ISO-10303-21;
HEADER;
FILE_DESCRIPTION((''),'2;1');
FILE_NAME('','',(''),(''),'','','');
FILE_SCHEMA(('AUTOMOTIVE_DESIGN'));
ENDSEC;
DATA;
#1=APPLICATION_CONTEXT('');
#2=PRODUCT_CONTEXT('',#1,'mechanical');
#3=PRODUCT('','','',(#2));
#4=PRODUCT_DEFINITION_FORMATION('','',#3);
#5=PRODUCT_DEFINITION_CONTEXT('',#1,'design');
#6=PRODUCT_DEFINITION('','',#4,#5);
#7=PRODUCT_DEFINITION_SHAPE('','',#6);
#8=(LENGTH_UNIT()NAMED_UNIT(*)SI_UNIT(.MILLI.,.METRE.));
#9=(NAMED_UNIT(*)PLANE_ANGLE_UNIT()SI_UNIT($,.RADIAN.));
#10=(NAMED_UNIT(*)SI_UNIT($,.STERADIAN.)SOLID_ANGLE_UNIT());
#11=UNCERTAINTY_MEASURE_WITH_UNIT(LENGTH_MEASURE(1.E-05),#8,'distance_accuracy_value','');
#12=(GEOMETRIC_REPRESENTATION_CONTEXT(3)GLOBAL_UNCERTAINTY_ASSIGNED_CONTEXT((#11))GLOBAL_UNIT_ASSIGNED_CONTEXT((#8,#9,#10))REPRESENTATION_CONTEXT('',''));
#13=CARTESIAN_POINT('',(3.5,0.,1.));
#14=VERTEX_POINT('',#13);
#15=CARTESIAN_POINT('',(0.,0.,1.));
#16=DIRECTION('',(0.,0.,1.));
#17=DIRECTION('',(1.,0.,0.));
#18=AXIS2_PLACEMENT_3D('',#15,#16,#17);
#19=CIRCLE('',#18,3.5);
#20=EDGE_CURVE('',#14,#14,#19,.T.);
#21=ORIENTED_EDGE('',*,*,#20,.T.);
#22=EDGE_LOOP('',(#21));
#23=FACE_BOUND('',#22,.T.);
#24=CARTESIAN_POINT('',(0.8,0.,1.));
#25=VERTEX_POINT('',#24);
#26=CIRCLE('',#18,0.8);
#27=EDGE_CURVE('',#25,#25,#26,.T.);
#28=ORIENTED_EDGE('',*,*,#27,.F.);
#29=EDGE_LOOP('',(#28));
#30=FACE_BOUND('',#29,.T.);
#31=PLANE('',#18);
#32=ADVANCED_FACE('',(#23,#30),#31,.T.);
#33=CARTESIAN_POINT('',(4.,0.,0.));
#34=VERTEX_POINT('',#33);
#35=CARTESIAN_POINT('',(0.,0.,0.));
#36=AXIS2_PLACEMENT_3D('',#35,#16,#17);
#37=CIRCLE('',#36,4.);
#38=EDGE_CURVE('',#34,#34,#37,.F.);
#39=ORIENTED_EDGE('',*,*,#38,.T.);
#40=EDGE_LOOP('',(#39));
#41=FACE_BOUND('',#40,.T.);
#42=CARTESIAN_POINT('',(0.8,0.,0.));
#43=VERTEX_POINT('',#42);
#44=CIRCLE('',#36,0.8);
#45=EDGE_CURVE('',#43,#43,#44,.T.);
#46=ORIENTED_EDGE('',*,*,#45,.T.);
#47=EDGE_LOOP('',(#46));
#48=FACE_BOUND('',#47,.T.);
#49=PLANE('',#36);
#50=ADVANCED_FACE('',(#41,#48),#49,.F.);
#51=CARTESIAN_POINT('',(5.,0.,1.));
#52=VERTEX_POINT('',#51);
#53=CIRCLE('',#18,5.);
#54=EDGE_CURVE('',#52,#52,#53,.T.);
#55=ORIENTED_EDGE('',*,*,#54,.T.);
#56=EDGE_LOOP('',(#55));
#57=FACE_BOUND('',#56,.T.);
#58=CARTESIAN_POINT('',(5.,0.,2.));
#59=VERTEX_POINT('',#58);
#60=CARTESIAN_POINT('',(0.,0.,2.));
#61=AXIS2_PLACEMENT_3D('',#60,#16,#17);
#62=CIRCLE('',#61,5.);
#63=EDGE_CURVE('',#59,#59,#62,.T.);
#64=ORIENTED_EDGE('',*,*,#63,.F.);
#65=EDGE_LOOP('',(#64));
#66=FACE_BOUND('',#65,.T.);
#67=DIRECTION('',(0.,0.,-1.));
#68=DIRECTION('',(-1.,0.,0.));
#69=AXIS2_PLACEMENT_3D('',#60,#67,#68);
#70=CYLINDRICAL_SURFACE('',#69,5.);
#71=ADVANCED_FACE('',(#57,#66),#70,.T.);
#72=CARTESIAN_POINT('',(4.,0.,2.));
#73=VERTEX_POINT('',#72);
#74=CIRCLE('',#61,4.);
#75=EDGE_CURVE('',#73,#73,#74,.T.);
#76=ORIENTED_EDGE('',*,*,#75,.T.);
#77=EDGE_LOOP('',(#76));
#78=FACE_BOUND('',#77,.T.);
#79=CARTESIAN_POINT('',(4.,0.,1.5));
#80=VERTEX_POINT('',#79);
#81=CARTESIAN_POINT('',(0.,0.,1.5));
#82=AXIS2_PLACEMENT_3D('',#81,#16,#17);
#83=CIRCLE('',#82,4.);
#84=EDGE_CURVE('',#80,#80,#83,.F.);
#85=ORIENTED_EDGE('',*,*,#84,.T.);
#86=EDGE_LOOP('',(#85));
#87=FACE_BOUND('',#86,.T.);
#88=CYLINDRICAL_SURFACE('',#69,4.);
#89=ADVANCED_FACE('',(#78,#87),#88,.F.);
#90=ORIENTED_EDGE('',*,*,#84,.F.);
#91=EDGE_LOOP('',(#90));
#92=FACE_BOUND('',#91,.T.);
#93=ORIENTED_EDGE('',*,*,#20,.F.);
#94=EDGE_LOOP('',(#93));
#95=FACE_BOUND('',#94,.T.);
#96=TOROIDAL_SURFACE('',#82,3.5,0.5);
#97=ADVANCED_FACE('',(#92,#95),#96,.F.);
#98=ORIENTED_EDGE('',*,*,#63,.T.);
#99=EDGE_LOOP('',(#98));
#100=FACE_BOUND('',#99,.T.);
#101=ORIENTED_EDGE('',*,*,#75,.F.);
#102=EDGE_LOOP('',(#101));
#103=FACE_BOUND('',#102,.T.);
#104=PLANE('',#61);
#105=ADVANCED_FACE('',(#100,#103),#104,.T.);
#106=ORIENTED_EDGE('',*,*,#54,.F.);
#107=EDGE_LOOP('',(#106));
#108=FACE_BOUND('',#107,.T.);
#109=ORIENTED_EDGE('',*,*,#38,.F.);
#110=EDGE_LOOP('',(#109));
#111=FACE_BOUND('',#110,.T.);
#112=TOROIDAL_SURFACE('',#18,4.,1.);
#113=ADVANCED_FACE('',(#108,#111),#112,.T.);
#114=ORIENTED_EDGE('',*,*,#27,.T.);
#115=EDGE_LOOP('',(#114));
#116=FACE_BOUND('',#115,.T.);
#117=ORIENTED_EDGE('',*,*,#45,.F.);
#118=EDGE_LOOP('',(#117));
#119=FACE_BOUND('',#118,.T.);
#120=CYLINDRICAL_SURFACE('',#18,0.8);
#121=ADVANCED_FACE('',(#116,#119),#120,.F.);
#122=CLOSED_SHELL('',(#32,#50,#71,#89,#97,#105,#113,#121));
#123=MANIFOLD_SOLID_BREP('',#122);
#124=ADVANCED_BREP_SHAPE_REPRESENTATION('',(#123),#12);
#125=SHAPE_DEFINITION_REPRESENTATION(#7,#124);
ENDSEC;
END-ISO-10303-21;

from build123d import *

# Parameters (mm, degrees)
SKETCH_1_R             = 5
EXTRUDE_1_DEPTH        = 2
SHELL_1_T              = -1
FILLET_1_R             = 0.5
FILLET_2_R             = 1
HOLE_WIZARD_M2_1_D     = 1.6
HOLE_WIZARD_M2_1_DEPTH = 5.2
HOLE_WIZARD_M2_1_TIP   = 0.480688495


with BuildPart() as part:
    # 草图1 → 凸台-拉伸1 (new body)
    with BuildSketch(Plane.XY):
        Circle(SKETCH_1_R)
    extrude(amount=EXTRUDE_1_DEPTH)

    # 抽壳1
    shell_1_openings = [part.faces().sort_by_distance(p)[0] for p in [
        (0, 0, 2),
    ]]
    offset(amount=SHELL_1_T, openings=shell_1_openings, kind=Kind.INTERSECTION)

    # 圆角1
    fillet_1_edges = [part.edges().sort_by_distance(p)[0] for p in [
        (-4, 0, 1),
    ]]
    fillet(fillet_1_edges, radius=FILLET_1_R)

    # 圆角2
    fillet_2_edges = [part.edges().sort_by_distance(p)[0] for p in [
        (-5, 0, 0),
    ]]
    fillet(fillet_2_edges, radius=FILLET_2_R)

    # M2 螺纹孔1
    with Locations(Plane.XY.offset(1)):
        with Locations((0, 0)):
            Hole(HOLE_WIZARD_M2_1_D / 2, depth=HOLE_WIZARD_M2_1_DEPTH)
            with Locations((0, 0, -(HOLE_WIZARD_M2_1_DEPTH + HOLE_WIZARD_M2_1_TIP / 2))):  # 118° drill point
                Cone(0, HOLE_WIZARD_M2_1_D / 2, HOLE_WIZARD_M2_1_TIP, mode=Mode.SUBTRACT)


solid = part.part
